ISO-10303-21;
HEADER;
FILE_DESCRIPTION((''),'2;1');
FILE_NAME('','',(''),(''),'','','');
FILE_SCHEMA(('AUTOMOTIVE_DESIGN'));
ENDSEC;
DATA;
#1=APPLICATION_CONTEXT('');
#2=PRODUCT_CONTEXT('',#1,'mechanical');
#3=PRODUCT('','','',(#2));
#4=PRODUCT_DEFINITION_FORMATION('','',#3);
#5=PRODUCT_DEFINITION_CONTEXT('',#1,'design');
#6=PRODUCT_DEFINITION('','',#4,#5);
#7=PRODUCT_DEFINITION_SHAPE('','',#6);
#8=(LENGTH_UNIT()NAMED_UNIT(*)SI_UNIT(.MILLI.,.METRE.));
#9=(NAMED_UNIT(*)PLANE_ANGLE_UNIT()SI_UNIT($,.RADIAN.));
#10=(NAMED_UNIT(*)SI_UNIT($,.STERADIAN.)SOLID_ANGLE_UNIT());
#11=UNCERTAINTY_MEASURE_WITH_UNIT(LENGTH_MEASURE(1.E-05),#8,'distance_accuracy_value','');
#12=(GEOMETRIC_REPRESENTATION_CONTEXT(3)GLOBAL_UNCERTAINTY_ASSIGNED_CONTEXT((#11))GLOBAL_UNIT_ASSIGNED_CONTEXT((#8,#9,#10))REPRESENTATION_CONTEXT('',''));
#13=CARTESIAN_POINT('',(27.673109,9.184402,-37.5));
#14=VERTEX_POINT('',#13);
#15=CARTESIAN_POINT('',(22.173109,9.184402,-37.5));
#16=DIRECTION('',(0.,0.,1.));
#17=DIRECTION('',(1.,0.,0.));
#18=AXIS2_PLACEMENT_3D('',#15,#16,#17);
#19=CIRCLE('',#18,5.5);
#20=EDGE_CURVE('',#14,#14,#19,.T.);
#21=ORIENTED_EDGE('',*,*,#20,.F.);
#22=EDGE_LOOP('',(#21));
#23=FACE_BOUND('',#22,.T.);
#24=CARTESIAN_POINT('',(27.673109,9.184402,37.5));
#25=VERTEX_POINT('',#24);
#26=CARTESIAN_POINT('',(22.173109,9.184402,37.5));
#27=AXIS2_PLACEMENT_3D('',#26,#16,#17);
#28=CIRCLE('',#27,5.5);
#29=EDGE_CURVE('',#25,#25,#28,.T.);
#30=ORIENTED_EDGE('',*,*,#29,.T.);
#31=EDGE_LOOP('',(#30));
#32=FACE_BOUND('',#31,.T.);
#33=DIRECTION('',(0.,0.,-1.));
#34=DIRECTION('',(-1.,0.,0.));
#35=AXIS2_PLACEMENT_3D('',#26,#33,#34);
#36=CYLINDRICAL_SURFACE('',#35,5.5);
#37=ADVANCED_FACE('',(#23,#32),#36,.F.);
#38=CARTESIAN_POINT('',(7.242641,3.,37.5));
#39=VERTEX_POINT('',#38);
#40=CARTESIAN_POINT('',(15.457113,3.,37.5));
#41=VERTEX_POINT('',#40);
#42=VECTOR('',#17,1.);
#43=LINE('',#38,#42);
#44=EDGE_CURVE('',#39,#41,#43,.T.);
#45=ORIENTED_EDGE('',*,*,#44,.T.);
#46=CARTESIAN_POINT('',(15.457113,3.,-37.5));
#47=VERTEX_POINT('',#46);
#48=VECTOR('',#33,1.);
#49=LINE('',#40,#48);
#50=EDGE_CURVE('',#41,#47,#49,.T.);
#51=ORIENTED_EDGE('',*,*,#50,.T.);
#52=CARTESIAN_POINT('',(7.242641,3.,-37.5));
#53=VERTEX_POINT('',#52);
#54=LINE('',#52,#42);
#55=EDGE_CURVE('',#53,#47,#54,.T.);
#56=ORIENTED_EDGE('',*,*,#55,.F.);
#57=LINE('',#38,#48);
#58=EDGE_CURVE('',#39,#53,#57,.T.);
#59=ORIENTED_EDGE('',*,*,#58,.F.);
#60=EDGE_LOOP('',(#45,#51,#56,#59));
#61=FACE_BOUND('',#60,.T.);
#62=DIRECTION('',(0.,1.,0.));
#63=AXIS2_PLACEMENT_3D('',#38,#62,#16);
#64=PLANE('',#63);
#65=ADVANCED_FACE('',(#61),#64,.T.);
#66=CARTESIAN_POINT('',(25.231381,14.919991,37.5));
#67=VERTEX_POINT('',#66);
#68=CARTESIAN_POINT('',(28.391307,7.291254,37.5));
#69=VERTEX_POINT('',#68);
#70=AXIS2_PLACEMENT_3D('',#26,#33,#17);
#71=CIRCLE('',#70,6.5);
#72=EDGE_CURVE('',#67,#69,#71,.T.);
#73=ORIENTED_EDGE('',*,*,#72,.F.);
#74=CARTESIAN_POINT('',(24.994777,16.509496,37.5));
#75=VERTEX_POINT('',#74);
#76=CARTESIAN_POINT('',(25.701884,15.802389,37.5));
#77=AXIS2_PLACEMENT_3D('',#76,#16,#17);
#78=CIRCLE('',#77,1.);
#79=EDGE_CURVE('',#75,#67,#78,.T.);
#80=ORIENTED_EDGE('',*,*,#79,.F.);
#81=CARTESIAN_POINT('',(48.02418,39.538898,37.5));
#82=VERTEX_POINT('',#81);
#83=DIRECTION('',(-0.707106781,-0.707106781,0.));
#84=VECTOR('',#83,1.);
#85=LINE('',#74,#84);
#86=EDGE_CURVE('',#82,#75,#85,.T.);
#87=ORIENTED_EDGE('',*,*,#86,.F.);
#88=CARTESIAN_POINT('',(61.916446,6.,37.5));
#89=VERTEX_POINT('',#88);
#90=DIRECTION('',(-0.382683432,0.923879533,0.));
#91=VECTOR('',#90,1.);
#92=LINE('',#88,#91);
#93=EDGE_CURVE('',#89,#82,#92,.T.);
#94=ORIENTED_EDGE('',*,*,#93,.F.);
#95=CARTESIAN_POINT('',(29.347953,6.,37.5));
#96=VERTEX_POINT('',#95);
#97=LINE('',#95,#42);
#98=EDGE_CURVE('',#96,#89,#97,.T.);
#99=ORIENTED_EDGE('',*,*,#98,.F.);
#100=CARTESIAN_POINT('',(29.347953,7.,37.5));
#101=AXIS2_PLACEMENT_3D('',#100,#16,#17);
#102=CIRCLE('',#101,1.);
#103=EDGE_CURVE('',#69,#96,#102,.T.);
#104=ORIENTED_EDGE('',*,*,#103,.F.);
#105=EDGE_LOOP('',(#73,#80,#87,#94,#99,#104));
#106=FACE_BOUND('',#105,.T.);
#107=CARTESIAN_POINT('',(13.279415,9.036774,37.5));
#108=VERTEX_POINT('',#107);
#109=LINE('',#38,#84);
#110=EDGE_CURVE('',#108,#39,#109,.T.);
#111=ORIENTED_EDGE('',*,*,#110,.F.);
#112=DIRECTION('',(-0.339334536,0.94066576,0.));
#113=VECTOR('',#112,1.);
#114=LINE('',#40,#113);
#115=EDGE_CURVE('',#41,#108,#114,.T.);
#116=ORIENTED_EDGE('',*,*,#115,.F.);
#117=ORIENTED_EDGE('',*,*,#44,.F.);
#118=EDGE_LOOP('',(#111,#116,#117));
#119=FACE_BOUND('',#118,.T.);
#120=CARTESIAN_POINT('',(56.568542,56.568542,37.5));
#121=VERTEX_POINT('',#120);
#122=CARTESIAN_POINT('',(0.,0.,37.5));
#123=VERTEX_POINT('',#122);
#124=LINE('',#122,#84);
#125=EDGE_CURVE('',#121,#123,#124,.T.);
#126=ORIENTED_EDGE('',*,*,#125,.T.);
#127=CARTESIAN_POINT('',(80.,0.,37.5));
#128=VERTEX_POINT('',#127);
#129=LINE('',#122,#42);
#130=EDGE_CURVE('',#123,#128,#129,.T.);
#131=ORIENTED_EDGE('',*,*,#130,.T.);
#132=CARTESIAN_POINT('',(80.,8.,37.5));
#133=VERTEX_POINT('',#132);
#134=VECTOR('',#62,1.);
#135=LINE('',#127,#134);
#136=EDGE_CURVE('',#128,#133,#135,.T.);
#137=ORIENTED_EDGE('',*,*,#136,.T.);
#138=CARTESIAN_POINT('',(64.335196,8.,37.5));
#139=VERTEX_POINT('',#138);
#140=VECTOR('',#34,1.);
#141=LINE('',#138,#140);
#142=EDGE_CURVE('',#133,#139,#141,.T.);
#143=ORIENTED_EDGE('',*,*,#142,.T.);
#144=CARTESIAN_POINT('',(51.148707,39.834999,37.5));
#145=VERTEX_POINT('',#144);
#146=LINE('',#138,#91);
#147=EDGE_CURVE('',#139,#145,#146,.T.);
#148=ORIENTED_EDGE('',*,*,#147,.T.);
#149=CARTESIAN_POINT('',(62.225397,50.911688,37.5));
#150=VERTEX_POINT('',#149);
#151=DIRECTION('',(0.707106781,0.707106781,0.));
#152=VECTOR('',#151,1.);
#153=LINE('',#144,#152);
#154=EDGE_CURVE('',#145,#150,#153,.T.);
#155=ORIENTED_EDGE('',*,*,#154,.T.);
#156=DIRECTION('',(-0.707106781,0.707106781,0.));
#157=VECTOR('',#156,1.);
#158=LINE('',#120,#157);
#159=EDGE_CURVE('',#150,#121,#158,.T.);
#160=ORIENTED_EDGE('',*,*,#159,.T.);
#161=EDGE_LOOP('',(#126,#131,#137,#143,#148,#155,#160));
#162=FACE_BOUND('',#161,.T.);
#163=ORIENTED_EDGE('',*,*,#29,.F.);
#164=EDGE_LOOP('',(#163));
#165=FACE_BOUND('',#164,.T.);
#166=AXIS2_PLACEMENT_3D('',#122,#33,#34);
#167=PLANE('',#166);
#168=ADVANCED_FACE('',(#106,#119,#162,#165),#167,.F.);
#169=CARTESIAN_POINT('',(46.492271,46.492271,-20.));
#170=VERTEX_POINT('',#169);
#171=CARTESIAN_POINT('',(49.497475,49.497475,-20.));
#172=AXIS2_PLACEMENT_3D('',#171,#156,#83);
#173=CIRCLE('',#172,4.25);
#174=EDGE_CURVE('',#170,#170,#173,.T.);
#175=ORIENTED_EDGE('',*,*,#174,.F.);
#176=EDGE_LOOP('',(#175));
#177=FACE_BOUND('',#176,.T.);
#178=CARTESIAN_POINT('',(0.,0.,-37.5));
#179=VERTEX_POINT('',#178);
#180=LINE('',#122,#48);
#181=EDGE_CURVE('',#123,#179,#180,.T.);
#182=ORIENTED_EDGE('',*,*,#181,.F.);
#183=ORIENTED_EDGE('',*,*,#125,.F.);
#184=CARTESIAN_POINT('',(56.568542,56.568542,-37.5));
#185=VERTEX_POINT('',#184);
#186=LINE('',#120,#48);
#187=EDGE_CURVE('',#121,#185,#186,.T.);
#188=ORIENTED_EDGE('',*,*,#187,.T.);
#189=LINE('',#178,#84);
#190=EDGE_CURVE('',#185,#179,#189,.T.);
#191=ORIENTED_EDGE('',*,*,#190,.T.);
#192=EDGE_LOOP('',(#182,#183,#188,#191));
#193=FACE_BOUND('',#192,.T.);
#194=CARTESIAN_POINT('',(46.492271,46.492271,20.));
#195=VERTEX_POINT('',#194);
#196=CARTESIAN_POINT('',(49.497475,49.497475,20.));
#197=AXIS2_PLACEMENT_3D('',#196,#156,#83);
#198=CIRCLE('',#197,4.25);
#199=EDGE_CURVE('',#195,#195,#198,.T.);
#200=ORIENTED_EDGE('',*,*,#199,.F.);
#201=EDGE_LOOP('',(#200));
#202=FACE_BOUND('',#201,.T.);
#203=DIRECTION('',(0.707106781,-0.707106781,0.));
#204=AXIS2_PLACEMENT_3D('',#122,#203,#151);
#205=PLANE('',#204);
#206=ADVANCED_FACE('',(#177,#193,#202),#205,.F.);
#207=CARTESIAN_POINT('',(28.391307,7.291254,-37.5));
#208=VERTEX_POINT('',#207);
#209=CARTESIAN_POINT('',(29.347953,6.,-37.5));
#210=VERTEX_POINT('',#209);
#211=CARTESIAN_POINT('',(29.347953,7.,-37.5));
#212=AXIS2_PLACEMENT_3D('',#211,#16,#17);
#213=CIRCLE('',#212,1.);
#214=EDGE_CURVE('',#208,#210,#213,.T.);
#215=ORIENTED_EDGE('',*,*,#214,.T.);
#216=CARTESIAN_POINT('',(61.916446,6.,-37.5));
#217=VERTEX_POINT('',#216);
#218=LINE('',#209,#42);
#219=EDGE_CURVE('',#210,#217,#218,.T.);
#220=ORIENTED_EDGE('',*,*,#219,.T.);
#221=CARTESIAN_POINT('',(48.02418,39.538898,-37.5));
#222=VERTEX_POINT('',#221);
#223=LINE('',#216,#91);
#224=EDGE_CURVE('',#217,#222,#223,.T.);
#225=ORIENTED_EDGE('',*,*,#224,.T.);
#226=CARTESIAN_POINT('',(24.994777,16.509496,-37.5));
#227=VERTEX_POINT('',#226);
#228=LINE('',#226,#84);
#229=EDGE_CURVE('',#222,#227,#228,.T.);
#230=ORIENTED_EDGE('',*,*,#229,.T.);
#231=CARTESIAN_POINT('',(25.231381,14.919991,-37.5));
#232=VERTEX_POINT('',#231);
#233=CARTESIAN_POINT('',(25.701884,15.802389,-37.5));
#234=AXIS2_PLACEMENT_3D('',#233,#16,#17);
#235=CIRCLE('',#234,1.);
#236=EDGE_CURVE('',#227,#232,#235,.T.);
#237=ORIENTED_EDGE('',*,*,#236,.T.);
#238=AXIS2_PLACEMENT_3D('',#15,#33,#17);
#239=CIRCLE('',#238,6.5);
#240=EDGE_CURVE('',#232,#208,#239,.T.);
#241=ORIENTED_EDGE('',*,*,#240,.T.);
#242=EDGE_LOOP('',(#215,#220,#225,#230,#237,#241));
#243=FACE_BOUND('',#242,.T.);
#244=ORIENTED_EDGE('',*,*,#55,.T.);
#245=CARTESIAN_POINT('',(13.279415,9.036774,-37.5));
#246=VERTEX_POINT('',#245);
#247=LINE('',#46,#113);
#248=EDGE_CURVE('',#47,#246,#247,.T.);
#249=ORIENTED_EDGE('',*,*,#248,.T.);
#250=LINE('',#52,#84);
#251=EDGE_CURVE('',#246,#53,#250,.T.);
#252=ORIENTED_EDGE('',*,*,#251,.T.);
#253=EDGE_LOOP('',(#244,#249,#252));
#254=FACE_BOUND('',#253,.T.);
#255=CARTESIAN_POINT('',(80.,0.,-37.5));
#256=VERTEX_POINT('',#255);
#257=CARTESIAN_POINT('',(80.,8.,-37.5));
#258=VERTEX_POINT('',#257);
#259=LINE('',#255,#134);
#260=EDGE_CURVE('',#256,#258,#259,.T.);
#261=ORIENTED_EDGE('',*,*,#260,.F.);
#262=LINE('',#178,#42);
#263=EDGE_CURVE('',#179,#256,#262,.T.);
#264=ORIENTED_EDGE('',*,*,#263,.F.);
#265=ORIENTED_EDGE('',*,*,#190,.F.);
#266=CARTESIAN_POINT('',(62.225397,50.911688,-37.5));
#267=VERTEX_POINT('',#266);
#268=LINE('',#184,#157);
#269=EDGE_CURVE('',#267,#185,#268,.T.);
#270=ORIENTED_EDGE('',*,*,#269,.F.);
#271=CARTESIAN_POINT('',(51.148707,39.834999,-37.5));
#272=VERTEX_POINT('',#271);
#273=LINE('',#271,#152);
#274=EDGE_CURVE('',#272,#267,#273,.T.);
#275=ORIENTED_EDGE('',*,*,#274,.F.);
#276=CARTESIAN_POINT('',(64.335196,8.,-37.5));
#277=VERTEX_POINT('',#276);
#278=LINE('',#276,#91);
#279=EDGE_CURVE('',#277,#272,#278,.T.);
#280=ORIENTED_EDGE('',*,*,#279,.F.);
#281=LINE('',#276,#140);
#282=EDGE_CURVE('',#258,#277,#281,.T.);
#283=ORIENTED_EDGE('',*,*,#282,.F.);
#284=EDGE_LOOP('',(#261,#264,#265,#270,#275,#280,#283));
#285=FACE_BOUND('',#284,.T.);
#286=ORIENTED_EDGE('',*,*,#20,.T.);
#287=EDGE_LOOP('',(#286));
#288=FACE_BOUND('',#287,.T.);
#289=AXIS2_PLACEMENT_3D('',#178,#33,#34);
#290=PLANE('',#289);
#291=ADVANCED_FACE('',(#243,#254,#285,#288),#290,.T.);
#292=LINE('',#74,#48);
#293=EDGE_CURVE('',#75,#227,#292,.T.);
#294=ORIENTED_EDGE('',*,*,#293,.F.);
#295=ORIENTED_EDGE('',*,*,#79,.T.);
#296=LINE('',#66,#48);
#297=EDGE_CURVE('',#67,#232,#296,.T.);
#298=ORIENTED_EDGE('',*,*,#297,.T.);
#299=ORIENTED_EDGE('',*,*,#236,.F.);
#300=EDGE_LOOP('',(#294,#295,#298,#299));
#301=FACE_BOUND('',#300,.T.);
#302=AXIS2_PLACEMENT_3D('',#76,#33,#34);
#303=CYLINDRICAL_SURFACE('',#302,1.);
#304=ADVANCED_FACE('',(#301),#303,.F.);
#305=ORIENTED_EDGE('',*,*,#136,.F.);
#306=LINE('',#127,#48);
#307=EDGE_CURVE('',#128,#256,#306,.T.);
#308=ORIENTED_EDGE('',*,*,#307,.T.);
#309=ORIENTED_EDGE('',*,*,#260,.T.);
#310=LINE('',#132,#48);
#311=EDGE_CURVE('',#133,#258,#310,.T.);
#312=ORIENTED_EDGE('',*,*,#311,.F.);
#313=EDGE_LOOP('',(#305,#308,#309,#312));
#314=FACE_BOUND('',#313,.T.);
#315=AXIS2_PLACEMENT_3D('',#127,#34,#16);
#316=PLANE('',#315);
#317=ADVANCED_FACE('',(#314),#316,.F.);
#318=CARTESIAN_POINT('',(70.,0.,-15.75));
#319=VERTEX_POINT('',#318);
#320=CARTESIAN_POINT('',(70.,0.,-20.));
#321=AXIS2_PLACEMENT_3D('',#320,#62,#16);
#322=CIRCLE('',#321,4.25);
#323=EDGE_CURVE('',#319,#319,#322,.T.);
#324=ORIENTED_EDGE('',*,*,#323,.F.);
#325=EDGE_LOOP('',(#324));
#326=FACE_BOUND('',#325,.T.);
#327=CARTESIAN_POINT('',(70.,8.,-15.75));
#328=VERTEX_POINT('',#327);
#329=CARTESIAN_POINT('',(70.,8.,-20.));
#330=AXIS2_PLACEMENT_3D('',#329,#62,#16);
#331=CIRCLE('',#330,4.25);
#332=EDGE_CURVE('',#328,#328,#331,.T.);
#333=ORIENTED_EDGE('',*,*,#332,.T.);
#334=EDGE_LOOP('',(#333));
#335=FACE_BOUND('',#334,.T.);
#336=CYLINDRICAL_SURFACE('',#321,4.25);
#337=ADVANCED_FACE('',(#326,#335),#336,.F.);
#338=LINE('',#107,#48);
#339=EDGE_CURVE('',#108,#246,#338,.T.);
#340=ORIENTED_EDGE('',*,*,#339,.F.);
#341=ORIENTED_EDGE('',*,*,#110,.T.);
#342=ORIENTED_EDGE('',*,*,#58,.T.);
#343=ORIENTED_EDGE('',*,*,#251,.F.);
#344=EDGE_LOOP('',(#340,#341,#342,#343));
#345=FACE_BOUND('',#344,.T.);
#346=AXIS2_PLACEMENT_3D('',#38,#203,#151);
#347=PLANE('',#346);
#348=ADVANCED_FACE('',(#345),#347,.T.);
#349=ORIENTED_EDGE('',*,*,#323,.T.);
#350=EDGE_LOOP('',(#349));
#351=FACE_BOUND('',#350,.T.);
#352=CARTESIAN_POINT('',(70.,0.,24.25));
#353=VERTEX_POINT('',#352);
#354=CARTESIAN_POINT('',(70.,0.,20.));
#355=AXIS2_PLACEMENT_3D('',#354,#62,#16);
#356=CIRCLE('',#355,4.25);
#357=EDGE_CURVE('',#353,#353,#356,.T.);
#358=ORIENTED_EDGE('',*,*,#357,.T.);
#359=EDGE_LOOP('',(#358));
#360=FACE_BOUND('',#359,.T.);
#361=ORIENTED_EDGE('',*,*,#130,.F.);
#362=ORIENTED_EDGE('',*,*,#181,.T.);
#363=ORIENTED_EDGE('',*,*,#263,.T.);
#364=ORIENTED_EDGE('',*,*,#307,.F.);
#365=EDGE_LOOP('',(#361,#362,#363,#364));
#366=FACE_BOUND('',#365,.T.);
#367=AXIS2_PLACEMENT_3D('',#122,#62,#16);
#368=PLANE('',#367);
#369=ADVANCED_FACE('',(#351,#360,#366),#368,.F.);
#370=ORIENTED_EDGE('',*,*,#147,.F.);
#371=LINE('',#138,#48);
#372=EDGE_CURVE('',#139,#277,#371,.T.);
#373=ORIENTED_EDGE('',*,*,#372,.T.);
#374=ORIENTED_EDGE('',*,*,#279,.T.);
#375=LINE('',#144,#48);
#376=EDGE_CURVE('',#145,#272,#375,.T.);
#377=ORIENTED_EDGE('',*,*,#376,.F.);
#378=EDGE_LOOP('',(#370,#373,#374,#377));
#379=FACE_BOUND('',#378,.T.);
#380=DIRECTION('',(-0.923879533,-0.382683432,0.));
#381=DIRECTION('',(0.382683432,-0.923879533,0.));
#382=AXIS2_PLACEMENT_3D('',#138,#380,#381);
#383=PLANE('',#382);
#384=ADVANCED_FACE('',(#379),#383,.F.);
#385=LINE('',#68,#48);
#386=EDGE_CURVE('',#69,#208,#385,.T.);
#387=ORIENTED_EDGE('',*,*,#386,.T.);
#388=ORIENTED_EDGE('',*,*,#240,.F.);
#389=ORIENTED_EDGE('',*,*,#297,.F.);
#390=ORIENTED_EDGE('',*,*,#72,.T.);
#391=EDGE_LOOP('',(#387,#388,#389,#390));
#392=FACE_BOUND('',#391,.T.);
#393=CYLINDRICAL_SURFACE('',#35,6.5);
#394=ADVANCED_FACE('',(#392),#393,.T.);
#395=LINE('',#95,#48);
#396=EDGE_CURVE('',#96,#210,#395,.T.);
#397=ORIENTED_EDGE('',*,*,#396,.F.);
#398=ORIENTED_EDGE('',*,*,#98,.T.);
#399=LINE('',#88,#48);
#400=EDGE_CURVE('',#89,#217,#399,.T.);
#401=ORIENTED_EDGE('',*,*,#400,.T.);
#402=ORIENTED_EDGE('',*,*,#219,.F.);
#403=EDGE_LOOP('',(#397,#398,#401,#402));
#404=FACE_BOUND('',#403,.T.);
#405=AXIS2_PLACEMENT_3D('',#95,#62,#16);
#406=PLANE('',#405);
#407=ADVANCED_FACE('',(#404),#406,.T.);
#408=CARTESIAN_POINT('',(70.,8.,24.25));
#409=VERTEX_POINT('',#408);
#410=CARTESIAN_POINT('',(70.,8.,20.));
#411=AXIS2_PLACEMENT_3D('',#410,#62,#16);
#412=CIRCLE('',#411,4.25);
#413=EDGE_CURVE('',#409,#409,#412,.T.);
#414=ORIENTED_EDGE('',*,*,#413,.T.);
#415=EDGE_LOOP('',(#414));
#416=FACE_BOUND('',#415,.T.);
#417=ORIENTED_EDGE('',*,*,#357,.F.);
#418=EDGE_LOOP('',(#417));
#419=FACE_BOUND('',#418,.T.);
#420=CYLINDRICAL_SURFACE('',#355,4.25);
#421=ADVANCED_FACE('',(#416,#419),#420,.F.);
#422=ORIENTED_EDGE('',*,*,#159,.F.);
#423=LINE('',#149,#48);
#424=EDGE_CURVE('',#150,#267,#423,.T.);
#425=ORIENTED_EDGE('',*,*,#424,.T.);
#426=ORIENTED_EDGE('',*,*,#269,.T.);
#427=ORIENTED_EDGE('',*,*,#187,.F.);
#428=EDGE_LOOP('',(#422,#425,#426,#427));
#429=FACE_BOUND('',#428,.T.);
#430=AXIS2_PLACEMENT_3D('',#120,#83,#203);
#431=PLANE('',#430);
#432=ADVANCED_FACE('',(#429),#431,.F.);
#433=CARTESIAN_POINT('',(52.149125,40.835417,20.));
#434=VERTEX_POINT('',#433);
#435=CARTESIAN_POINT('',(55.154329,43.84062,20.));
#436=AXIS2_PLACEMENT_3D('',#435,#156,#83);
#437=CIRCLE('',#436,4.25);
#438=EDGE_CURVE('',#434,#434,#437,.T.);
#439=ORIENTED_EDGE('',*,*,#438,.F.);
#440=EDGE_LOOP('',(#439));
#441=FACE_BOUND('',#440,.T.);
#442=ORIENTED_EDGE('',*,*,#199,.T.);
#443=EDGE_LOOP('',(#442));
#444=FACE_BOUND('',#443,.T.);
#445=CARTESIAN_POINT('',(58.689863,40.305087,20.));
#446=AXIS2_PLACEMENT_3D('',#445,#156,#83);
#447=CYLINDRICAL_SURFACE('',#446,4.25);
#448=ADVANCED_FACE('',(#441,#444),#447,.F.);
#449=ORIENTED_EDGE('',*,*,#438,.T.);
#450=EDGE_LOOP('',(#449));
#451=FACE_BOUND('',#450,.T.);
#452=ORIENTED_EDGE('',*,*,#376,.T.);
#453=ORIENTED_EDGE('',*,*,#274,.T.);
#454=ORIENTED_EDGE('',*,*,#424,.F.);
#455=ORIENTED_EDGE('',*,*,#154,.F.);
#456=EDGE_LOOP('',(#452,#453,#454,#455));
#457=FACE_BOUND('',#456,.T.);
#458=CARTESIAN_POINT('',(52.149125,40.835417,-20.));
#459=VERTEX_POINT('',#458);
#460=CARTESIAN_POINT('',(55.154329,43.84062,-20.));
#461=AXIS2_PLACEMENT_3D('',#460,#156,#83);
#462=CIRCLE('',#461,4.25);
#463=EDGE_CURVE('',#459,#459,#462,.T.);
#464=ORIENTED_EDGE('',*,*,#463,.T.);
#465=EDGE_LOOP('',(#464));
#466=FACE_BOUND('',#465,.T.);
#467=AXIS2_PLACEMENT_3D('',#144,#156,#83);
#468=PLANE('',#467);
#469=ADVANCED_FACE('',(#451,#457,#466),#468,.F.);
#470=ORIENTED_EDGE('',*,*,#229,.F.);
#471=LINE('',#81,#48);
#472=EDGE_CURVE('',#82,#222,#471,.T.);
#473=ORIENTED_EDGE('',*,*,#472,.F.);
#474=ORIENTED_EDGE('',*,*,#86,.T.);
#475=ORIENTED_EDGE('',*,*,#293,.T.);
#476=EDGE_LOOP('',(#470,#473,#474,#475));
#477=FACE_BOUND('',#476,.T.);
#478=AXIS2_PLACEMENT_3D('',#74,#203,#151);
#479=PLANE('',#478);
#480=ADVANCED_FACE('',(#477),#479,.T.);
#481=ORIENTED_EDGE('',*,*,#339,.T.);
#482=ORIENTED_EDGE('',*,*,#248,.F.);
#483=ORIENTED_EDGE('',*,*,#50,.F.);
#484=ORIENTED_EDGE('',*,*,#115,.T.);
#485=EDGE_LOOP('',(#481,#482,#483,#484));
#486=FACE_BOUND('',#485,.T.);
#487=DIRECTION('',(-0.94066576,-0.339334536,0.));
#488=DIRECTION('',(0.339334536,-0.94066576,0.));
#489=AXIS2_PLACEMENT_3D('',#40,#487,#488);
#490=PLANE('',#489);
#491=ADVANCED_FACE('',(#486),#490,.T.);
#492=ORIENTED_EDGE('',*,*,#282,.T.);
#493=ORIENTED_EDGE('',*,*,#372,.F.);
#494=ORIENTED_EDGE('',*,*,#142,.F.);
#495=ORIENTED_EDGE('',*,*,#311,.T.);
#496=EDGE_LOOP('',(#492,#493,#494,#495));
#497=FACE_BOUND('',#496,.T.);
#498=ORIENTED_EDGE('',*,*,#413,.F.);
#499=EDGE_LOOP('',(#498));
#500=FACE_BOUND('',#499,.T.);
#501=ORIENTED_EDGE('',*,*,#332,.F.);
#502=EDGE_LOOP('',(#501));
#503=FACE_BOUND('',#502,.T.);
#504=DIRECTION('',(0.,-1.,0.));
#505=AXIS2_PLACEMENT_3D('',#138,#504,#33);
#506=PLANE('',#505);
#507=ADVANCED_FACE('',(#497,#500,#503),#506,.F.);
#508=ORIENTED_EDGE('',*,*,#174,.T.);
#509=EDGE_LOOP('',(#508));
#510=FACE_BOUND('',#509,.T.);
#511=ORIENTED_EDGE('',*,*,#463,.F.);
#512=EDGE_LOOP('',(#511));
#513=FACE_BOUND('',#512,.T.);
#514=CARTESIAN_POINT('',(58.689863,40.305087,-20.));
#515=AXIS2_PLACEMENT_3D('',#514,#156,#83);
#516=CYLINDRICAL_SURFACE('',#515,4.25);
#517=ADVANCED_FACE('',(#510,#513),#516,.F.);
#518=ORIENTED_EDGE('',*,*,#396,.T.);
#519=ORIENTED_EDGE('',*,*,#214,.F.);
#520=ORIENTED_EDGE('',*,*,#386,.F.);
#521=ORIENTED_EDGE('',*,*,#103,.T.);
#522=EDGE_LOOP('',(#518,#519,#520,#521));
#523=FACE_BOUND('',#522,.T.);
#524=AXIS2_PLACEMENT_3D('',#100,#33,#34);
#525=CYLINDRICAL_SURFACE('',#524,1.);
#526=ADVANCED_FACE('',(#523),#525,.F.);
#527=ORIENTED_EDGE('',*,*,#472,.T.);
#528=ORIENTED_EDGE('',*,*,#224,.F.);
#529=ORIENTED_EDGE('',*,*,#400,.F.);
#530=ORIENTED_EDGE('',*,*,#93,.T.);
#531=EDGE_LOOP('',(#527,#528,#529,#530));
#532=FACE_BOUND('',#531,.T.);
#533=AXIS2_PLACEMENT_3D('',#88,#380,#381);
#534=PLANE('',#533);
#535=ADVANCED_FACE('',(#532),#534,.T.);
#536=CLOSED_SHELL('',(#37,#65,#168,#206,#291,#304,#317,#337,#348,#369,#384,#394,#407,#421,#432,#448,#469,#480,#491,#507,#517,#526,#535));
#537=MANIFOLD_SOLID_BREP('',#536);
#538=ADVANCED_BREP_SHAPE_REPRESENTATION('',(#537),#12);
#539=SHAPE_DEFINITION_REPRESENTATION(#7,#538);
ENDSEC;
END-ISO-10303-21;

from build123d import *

# Parameters (mm, degrees)
SKETCH_1_R          = 5.5
EXTRUDE_1_DEPTH     = 37.5
SKETCH_2_R          = 4.25
CUT_EXTRUDE_1_DEPTH = 13
SKETCH_3_R          = 4.25
CUT_EXTRUDE_2_DEPTH = 101.822385015


with BuildPart() as part:
    # 草图1 → 凸台-拉伸1 (new, symmetric)
    with BuildSketch(Plane.XY):
        Polygon((0, 0), (80, 0), (80, 8), (64.335195596, 8), (51.148707324, 39.834998826), (62.225396744, 50.911688245), (56.568542495, 56.568542495), align=None)
        with Locations((22.17310878, 9.184402377)):
            Circle(SKETCH_1_R, mode=Mode.SUBTRACT)
        Polygon((7.242640687, 3), (15.457113006, 3), (13.279414953, 9.036774265), align=None, mode=Mode.SUBTRACT)
        with BuildLine():
            Line((29.347952769, 6), (61.91644612, 6))
            Line((61.91644612, 6), (48.024179606, 39.538898231))
            Line((48.024179606, 39.538898231), (24.994777104, 16.509495729))
            ThreePointArc((24.994777104, 16.509495729), (24.712781801, 15.655157608), (25.231380538, 14.919990739))
            ThreePointArc((25.231380538, 14.919990739), (28.178325742, 11.671844687), (28.391306903, 7.29125365))
            ThreePointArc((28.391306903, 7.29125365), (28.544443699, 6.404707488), (29.347952769, 6))
        make_face(mode=Mode.SUBTRACT)
    extrude(amount=EXTRUDE_1_DEPTH, both=True)

    # 草图2 → 切除-拉伸1 (cut)
    with BuildSketch(Plane(origin=(0, 0, 0), x_dir=(0, 0, 1), z_dir=(-0.7071067811865477, 0.7071067811865475, 0))):
        with Locations(Location((20, 70, 0), (0, 0, 270))):
            Circle(SKETCH_2_R)
        with Locations(Location((-20, 70, 0), (0, 0, 270))):
            Circle(SKETCH_2_R)
    extrude(amount=-CUT_EXTRUDE_1_DEPTH, mode=Mode.SUBTRACT)

    # 草图3 → 切除-拉伸2 (cut, through all)
    with BuildSketch(Plane(origin=(0, 8, 0), x_dir=(1, 0, 0), z_dir=(0, 1, 0))):
        with Locations(Location((70, -20, 0), (0, 0, 270))):
            Circle(SKETCH_3_R)
        with Locations(Location((70, 20, 0), (0, 0, 270))):
            Circle(SKETCH_3_R)
    extrude(amount=-CUT_EXTRUDE_2_DEPTH, mode=Mode.SUBTRACT)


solid = part.part
